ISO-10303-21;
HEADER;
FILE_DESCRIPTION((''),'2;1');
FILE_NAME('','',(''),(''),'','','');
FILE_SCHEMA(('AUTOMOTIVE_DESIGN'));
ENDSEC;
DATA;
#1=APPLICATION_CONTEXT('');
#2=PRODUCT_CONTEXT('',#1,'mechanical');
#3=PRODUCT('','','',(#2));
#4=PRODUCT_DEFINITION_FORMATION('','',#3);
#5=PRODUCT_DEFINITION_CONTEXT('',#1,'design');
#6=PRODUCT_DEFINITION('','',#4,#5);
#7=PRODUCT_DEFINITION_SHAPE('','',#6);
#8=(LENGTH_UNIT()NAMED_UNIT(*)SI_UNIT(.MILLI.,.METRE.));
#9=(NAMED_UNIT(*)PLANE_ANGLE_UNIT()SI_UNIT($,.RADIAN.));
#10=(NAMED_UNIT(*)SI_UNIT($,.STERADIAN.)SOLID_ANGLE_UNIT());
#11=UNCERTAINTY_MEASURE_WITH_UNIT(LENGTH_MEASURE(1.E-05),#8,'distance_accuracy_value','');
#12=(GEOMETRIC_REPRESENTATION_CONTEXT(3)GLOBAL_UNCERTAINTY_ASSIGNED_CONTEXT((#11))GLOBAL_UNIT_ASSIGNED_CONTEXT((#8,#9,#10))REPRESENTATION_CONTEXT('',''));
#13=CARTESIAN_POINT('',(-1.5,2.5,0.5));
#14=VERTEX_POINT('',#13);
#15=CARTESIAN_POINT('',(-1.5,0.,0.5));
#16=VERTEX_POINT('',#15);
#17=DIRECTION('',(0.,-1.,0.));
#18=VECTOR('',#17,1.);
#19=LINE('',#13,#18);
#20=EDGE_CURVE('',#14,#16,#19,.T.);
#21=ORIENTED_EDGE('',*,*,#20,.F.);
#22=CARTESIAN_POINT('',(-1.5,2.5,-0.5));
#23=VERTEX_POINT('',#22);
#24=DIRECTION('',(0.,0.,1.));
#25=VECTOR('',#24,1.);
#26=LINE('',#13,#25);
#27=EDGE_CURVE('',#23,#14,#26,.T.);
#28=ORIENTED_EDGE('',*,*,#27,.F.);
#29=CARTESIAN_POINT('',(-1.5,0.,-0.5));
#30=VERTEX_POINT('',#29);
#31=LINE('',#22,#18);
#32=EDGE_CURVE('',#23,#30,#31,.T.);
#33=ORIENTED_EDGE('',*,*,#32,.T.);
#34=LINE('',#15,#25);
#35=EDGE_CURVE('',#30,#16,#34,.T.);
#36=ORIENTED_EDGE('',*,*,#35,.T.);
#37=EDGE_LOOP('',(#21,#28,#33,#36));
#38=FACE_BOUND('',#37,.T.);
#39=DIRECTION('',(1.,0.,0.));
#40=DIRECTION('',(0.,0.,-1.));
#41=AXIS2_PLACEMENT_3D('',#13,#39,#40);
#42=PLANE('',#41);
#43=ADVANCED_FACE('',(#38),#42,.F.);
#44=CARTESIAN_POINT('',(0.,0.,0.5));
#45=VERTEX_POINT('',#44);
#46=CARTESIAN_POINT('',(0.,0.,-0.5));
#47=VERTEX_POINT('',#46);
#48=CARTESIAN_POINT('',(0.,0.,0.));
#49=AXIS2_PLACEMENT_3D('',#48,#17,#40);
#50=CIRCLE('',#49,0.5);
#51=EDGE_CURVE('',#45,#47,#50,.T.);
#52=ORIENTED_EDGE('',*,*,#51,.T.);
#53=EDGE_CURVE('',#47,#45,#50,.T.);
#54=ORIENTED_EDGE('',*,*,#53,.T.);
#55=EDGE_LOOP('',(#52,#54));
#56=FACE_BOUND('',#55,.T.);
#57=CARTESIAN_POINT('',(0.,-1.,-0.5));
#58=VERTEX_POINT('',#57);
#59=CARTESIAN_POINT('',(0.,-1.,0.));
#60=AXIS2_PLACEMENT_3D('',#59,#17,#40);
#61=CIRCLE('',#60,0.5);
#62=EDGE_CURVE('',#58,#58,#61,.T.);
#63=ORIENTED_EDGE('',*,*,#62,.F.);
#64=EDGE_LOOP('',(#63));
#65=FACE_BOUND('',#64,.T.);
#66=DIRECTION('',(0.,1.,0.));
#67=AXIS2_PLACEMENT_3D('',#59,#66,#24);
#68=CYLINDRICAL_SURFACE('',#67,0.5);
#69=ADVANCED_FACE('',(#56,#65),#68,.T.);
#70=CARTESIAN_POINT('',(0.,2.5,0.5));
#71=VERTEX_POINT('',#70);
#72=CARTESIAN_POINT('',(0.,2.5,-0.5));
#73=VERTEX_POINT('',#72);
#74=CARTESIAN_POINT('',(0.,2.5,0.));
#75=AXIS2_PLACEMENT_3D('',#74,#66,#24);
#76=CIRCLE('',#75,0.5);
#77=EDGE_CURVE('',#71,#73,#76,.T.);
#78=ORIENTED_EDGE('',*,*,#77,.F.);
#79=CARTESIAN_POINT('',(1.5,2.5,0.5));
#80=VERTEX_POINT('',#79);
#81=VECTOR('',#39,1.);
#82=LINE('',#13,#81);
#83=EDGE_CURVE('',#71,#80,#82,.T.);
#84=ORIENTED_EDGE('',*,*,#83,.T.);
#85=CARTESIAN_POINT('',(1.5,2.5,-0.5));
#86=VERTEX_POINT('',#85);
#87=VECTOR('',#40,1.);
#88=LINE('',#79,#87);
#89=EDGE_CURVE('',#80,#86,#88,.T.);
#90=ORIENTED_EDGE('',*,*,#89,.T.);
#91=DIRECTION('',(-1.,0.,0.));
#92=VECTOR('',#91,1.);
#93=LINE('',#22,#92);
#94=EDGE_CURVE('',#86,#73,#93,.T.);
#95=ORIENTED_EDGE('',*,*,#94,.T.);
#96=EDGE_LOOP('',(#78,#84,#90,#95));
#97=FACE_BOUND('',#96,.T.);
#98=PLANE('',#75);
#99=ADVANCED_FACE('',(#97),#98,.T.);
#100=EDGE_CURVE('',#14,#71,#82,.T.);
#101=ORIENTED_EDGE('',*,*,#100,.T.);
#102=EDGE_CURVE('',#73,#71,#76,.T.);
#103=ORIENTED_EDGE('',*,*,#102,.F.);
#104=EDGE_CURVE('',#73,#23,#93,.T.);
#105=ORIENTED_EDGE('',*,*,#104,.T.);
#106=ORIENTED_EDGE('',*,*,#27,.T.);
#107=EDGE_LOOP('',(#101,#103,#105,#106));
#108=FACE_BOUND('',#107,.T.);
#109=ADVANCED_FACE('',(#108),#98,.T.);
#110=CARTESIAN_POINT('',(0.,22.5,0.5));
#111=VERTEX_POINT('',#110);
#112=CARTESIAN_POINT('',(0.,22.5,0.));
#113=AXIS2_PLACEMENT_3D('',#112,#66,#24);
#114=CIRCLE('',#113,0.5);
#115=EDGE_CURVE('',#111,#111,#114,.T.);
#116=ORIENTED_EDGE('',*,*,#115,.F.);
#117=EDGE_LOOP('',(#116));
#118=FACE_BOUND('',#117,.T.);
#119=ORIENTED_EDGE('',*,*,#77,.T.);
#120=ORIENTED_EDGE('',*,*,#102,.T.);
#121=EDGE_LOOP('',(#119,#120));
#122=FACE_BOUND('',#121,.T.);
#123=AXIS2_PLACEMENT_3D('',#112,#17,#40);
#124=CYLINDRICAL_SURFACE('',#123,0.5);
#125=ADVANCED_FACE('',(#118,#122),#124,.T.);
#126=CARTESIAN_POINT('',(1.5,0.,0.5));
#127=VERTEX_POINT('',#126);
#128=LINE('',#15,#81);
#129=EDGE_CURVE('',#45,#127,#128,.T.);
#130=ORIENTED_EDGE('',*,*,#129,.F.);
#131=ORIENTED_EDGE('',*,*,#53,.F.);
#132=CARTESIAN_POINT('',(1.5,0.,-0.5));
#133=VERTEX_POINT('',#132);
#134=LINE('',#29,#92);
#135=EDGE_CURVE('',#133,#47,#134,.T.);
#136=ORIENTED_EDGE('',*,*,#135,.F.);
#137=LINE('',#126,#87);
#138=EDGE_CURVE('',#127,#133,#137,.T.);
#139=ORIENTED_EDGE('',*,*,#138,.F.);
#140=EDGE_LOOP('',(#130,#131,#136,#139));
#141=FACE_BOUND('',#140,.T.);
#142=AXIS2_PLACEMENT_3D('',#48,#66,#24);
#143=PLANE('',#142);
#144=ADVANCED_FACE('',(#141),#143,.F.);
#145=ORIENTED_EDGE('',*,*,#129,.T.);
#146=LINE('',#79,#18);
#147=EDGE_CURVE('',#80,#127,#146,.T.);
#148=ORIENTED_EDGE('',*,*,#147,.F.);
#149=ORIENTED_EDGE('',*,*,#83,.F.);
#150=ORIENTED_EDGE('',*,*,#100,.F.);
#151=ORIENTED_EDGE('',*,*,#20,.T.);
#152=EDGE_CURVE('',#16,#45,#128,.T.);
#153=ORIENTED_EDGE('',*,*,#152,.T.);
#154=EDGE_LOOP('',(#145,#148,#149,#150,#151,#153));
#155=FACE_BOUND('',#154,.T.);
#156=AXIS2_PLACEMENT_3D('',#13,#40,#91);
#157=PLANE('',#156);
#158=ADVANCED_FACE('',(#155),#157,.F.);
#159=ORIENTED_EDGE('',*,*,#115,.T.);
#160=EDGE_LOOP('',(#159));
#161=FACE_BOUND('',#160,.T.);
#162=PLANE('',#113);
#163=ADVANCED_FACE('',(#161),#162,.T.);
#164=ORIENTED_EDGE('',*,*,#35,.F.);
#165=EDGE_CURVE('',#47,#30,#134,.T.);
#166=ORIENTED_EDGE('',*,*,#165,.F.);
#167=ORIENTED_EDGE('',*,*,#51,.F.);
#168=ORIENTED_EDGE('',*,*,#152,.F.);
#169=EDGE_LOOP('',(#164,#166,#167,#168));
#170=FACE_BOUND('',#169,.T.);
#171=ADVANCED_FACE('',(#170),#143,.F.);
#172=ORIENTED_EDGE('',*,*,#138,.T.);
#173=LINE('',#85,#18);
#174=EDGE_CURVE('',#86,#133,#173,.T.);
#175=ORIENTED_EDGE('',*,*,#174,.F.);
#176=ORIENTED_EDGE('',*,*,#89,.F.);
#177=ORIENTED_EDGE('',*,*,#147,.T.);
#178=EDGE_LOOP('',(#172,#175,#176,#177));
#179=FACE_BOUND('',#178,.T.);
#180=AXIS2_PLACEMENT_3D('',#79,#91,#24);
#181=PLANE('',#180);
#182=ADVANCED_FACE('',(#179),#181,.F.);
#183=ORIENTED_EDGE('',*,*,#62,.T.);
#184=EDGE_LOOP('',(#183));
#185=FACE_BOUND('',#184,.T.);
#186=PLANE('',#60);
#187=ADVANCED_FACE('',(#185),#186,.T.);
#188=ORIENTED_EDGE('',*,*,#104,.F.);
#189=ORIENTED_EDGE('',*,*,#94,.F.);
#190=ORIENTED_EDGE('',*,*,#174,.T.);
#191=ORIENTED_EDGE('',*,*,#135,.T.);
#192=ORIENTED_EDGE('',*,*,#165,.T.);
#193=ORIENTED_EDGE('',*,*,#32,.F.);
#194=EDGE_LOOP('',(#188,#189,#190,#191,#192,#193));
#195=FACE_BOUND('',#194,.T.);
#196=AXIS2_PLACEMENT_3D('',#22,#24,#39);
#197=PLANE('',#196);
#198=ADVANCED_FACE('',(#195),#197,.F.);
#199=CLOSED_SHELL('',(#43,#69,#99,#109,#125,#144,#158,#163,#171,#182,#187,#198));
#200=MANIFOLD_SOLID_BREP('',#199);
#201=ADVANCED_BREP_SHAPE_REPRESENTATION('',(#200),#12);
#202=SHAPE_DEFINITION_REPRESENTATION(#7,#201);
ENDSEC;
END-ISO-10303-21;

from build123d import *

# Parameters (mm, degrees)
SKETCH1_W           = 3
SKETCH1_H           = 1
BOSS_EXTRUDE1_DEPTH = 2.5
SKETCH2_R           = 0.5
BOSS_EXTRUDE2_DEPTH = 20
BOSS_EXTRUDE3_START = 1
SKETCH3_R           = 0.5
BOSS_EXTRUDE3_DEPTH = 1


with BuildPart() as part:
    # Sketch1 → Boss-Extrude1 (new body)
    with BuildSketch(Plane(origin=(0, 0, 0), x_dir=(1, 0, 0), z_dir=(0, 1, 0))):
        Rectangle(SKETCH1_W, SKETCH1_H)
    extrude(amount=BOSS_EXTRUDE1_DEPTH)

    # Sketch2 → Boss-Extrude2 (add)
    with BuildSketch(Plane(origin=(0, 2.5, 0), x_dir=(1, 0, 0), z_dir=(0, 1, 0))):
        with Locations(Location((0, 0, 0), (0, 0, 270))):
            Circle(SKETCH2_R)
    extrude(amount=BOSS_EXTRUDE2_DEPTH)

    # Sketch3 → Boss-Extrude3 (add)
    with BuildSketch(Plane.XZ.offset(BOSS_EXTRUDE3_START)):
        with Locations(Location((0, 0, 0), (0, 0, 90))):
            Circle(SKETCH3_R)
    extrude(amount=-BOSS_EXTRUDE3_DEPTH)


solid = part.part
